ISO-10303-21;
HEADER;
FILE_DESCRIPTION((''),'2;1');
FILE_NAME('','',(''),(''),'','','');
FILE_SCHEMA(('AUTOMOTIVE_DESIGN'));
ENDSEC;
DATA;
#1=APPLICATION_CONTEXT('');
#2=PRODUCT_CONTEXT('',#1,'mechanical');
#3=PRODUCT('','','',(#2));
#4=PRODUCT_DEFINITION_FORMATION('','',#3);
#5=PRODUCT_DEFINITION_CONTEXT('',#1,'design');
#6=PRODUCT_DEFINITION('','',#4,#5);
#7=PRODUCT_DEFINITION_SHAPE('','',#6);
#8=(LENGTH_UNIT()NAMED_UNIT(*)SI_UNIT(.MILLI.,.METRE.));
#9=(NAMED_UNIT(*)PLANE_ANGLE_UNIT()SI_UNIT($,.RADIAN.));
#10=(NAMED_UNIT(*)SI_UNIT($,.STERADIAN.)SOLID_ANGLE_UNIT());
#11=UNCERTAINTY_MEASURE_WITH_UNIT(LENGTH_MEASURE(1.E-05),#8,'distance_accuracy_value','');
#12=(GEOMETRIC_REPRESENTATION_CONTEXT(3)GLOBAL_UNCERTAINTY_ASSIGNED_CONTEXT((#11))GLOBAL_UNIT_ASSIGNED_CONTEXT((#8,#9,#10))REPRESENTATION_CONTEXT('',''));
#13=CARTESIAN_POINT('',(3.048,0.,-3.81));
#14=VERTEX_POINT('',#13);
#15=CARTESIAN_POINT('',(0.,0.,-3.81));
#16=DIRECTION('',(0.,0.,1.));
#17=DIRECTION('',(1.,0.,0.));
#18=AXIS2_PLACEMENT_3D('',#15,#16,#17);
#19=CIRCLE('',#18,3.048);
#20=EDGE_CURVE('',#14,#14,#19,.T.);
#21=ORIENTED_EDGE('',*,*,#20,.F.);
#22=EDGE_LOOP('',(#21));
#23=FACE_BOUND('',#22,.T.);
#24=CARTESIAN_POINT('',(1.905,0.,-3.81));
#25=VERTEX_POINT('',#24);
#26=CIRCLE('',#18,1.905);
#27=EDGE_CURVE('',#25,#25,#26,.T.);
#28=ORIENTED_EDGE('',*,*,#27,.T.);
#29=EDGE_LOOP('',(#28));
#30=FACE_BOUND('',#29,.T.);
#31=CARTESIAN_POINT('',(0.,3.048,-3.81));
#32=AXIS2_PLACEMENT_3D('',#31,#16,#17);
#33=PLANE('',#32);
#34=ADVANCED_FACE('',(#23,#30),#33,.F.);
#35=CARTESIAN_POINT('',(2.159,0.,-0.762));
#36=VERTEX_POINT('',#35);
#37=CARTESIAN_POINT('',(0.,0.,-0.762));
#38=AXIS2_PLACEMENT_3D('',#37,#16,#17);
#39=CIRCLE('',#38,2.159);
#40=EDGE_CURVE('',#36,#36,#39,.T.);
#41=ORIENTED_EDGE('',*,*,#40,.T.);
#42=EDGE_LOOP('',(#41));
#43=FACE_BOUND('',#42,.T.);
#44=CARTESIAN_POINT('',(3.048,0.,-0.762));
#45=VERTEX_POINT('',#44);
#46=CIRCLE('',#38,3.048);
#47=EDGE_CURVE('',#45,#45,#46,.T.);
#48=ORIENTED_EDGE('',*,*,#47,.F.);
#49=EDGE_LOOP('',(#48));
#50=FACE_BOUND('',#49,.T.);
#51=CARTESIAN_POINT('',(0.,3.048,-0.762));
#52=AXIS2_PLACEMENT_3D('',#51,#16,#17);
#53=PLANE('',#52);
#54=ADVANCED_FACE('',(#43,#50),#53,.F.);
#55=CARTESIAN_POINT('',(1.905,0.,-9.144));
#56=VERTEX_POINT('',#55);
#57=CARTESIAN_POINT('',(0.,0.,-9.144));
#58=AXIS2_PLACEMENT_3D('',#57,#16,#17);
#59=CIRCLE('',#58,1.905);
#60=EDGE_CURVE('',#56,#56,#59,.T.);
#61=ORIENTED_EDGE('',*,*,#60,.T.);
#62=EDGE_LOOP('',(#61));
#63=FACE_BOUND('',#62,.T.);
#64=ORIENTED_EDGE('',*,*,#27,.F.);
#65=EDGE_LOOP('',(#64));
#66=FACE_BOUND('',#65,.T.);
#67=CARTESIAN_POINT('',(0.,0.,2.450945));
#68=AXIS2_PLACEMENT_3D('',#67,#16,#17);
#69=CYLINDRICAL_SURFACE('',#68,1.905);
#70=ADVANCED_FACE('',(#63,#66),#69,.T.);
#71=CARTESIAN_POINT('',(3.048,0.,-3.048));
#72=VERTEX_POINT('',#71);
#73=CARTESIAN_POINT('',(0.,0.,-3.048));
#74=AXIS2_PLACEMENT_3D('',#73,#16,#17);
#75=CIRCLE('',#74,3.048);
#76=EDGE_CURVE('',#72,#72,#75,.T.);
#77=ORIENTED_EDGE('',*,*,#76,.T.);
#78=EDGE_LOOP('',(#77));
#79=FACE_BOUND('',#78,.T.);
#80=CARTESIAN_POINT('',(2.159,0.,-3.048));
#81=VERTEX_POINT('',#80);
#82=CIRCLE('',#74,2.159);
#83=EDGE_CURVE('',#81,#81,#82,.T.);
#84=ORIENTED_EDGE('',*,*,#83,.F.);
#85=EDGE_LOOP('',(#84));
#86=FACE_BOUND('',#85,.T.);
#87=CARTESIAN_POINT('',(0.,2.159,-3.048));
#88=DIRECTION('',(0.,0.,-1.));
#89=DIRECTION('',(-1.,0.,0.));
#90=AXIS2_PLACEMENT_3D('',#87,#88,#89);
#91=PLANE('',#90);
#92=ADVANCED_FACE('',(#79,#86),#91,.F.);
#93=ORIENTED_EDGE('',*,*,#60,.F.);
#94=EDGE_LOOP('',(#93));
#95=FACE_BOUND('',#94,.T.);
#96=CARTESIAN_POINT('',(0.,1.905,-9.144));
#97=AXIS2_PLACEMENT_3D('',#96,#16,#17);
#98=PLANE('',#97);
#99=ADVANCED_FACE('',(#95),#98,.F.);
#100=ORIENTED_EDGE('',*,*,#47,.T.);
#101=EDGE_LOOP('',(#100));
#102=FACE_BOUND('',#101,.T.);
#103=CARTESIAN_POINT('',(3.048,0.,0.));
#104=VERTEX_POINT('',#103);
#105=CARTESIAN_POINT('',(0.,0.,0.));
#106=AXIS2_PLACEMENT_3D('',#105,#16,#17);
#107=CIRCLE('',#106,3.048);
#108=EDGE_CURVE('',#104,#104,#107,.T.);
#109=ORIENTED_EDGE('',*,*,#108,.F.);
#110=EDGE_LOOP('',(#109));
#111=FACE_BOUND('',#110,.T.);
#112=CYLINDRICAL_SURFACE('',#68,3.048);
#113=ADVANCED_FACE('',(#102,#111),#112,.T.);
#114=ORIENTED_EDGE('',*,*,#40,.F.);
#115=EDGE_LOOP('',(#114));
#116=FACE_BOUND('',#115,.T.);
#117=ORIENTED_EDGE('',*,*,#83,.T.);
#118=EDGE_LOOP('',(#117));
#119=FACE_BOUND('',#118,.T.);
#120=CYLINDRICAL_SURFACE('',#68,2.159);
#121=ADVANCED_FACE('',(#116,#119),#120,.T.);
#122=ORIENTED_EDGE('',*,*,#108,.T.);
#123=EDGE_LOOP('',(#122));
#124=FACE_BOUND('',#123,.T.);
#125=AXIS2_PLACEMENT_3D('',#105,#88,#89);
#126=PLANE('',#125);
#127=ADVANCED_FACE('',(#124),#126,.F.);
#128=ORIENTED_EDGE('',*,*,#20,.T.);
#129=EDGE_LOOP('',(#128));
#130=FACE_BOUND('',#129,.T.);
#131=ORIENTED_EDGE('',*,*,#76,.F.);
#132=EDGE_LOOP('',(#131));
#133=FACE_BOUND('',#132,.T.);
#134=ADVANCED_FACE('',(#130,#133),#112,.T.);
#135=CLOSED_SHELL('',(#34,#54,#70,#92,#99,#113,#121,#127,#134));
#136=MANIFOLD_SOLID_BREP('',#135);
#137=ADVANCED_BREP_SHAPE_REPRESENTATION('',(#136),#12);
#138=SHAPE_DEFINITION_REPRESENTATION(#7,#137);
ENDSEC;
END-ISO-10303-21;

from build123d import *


with BuildPart() as part:
    # Sketch2 → Revolve1 (revolve)
    with BuildSketch(Plane(origin=(0, 0, 0), x_dir=(0, 0, -1), z_dir=(1, 0, 0))):
        Polygon((0, 0), (0, 3.048), (0.762, 3.048), (0.762, 2.159), (3.048, 2.159), (3.048, 3.048), (3.81, 3.048), (3.81, 1.905), (9.144, 1.905), (9.144, 0), align=None)
    revolve(axis=Axis((0, 0, 2.450945122), (0, 0, -1)))


solid = part.part
